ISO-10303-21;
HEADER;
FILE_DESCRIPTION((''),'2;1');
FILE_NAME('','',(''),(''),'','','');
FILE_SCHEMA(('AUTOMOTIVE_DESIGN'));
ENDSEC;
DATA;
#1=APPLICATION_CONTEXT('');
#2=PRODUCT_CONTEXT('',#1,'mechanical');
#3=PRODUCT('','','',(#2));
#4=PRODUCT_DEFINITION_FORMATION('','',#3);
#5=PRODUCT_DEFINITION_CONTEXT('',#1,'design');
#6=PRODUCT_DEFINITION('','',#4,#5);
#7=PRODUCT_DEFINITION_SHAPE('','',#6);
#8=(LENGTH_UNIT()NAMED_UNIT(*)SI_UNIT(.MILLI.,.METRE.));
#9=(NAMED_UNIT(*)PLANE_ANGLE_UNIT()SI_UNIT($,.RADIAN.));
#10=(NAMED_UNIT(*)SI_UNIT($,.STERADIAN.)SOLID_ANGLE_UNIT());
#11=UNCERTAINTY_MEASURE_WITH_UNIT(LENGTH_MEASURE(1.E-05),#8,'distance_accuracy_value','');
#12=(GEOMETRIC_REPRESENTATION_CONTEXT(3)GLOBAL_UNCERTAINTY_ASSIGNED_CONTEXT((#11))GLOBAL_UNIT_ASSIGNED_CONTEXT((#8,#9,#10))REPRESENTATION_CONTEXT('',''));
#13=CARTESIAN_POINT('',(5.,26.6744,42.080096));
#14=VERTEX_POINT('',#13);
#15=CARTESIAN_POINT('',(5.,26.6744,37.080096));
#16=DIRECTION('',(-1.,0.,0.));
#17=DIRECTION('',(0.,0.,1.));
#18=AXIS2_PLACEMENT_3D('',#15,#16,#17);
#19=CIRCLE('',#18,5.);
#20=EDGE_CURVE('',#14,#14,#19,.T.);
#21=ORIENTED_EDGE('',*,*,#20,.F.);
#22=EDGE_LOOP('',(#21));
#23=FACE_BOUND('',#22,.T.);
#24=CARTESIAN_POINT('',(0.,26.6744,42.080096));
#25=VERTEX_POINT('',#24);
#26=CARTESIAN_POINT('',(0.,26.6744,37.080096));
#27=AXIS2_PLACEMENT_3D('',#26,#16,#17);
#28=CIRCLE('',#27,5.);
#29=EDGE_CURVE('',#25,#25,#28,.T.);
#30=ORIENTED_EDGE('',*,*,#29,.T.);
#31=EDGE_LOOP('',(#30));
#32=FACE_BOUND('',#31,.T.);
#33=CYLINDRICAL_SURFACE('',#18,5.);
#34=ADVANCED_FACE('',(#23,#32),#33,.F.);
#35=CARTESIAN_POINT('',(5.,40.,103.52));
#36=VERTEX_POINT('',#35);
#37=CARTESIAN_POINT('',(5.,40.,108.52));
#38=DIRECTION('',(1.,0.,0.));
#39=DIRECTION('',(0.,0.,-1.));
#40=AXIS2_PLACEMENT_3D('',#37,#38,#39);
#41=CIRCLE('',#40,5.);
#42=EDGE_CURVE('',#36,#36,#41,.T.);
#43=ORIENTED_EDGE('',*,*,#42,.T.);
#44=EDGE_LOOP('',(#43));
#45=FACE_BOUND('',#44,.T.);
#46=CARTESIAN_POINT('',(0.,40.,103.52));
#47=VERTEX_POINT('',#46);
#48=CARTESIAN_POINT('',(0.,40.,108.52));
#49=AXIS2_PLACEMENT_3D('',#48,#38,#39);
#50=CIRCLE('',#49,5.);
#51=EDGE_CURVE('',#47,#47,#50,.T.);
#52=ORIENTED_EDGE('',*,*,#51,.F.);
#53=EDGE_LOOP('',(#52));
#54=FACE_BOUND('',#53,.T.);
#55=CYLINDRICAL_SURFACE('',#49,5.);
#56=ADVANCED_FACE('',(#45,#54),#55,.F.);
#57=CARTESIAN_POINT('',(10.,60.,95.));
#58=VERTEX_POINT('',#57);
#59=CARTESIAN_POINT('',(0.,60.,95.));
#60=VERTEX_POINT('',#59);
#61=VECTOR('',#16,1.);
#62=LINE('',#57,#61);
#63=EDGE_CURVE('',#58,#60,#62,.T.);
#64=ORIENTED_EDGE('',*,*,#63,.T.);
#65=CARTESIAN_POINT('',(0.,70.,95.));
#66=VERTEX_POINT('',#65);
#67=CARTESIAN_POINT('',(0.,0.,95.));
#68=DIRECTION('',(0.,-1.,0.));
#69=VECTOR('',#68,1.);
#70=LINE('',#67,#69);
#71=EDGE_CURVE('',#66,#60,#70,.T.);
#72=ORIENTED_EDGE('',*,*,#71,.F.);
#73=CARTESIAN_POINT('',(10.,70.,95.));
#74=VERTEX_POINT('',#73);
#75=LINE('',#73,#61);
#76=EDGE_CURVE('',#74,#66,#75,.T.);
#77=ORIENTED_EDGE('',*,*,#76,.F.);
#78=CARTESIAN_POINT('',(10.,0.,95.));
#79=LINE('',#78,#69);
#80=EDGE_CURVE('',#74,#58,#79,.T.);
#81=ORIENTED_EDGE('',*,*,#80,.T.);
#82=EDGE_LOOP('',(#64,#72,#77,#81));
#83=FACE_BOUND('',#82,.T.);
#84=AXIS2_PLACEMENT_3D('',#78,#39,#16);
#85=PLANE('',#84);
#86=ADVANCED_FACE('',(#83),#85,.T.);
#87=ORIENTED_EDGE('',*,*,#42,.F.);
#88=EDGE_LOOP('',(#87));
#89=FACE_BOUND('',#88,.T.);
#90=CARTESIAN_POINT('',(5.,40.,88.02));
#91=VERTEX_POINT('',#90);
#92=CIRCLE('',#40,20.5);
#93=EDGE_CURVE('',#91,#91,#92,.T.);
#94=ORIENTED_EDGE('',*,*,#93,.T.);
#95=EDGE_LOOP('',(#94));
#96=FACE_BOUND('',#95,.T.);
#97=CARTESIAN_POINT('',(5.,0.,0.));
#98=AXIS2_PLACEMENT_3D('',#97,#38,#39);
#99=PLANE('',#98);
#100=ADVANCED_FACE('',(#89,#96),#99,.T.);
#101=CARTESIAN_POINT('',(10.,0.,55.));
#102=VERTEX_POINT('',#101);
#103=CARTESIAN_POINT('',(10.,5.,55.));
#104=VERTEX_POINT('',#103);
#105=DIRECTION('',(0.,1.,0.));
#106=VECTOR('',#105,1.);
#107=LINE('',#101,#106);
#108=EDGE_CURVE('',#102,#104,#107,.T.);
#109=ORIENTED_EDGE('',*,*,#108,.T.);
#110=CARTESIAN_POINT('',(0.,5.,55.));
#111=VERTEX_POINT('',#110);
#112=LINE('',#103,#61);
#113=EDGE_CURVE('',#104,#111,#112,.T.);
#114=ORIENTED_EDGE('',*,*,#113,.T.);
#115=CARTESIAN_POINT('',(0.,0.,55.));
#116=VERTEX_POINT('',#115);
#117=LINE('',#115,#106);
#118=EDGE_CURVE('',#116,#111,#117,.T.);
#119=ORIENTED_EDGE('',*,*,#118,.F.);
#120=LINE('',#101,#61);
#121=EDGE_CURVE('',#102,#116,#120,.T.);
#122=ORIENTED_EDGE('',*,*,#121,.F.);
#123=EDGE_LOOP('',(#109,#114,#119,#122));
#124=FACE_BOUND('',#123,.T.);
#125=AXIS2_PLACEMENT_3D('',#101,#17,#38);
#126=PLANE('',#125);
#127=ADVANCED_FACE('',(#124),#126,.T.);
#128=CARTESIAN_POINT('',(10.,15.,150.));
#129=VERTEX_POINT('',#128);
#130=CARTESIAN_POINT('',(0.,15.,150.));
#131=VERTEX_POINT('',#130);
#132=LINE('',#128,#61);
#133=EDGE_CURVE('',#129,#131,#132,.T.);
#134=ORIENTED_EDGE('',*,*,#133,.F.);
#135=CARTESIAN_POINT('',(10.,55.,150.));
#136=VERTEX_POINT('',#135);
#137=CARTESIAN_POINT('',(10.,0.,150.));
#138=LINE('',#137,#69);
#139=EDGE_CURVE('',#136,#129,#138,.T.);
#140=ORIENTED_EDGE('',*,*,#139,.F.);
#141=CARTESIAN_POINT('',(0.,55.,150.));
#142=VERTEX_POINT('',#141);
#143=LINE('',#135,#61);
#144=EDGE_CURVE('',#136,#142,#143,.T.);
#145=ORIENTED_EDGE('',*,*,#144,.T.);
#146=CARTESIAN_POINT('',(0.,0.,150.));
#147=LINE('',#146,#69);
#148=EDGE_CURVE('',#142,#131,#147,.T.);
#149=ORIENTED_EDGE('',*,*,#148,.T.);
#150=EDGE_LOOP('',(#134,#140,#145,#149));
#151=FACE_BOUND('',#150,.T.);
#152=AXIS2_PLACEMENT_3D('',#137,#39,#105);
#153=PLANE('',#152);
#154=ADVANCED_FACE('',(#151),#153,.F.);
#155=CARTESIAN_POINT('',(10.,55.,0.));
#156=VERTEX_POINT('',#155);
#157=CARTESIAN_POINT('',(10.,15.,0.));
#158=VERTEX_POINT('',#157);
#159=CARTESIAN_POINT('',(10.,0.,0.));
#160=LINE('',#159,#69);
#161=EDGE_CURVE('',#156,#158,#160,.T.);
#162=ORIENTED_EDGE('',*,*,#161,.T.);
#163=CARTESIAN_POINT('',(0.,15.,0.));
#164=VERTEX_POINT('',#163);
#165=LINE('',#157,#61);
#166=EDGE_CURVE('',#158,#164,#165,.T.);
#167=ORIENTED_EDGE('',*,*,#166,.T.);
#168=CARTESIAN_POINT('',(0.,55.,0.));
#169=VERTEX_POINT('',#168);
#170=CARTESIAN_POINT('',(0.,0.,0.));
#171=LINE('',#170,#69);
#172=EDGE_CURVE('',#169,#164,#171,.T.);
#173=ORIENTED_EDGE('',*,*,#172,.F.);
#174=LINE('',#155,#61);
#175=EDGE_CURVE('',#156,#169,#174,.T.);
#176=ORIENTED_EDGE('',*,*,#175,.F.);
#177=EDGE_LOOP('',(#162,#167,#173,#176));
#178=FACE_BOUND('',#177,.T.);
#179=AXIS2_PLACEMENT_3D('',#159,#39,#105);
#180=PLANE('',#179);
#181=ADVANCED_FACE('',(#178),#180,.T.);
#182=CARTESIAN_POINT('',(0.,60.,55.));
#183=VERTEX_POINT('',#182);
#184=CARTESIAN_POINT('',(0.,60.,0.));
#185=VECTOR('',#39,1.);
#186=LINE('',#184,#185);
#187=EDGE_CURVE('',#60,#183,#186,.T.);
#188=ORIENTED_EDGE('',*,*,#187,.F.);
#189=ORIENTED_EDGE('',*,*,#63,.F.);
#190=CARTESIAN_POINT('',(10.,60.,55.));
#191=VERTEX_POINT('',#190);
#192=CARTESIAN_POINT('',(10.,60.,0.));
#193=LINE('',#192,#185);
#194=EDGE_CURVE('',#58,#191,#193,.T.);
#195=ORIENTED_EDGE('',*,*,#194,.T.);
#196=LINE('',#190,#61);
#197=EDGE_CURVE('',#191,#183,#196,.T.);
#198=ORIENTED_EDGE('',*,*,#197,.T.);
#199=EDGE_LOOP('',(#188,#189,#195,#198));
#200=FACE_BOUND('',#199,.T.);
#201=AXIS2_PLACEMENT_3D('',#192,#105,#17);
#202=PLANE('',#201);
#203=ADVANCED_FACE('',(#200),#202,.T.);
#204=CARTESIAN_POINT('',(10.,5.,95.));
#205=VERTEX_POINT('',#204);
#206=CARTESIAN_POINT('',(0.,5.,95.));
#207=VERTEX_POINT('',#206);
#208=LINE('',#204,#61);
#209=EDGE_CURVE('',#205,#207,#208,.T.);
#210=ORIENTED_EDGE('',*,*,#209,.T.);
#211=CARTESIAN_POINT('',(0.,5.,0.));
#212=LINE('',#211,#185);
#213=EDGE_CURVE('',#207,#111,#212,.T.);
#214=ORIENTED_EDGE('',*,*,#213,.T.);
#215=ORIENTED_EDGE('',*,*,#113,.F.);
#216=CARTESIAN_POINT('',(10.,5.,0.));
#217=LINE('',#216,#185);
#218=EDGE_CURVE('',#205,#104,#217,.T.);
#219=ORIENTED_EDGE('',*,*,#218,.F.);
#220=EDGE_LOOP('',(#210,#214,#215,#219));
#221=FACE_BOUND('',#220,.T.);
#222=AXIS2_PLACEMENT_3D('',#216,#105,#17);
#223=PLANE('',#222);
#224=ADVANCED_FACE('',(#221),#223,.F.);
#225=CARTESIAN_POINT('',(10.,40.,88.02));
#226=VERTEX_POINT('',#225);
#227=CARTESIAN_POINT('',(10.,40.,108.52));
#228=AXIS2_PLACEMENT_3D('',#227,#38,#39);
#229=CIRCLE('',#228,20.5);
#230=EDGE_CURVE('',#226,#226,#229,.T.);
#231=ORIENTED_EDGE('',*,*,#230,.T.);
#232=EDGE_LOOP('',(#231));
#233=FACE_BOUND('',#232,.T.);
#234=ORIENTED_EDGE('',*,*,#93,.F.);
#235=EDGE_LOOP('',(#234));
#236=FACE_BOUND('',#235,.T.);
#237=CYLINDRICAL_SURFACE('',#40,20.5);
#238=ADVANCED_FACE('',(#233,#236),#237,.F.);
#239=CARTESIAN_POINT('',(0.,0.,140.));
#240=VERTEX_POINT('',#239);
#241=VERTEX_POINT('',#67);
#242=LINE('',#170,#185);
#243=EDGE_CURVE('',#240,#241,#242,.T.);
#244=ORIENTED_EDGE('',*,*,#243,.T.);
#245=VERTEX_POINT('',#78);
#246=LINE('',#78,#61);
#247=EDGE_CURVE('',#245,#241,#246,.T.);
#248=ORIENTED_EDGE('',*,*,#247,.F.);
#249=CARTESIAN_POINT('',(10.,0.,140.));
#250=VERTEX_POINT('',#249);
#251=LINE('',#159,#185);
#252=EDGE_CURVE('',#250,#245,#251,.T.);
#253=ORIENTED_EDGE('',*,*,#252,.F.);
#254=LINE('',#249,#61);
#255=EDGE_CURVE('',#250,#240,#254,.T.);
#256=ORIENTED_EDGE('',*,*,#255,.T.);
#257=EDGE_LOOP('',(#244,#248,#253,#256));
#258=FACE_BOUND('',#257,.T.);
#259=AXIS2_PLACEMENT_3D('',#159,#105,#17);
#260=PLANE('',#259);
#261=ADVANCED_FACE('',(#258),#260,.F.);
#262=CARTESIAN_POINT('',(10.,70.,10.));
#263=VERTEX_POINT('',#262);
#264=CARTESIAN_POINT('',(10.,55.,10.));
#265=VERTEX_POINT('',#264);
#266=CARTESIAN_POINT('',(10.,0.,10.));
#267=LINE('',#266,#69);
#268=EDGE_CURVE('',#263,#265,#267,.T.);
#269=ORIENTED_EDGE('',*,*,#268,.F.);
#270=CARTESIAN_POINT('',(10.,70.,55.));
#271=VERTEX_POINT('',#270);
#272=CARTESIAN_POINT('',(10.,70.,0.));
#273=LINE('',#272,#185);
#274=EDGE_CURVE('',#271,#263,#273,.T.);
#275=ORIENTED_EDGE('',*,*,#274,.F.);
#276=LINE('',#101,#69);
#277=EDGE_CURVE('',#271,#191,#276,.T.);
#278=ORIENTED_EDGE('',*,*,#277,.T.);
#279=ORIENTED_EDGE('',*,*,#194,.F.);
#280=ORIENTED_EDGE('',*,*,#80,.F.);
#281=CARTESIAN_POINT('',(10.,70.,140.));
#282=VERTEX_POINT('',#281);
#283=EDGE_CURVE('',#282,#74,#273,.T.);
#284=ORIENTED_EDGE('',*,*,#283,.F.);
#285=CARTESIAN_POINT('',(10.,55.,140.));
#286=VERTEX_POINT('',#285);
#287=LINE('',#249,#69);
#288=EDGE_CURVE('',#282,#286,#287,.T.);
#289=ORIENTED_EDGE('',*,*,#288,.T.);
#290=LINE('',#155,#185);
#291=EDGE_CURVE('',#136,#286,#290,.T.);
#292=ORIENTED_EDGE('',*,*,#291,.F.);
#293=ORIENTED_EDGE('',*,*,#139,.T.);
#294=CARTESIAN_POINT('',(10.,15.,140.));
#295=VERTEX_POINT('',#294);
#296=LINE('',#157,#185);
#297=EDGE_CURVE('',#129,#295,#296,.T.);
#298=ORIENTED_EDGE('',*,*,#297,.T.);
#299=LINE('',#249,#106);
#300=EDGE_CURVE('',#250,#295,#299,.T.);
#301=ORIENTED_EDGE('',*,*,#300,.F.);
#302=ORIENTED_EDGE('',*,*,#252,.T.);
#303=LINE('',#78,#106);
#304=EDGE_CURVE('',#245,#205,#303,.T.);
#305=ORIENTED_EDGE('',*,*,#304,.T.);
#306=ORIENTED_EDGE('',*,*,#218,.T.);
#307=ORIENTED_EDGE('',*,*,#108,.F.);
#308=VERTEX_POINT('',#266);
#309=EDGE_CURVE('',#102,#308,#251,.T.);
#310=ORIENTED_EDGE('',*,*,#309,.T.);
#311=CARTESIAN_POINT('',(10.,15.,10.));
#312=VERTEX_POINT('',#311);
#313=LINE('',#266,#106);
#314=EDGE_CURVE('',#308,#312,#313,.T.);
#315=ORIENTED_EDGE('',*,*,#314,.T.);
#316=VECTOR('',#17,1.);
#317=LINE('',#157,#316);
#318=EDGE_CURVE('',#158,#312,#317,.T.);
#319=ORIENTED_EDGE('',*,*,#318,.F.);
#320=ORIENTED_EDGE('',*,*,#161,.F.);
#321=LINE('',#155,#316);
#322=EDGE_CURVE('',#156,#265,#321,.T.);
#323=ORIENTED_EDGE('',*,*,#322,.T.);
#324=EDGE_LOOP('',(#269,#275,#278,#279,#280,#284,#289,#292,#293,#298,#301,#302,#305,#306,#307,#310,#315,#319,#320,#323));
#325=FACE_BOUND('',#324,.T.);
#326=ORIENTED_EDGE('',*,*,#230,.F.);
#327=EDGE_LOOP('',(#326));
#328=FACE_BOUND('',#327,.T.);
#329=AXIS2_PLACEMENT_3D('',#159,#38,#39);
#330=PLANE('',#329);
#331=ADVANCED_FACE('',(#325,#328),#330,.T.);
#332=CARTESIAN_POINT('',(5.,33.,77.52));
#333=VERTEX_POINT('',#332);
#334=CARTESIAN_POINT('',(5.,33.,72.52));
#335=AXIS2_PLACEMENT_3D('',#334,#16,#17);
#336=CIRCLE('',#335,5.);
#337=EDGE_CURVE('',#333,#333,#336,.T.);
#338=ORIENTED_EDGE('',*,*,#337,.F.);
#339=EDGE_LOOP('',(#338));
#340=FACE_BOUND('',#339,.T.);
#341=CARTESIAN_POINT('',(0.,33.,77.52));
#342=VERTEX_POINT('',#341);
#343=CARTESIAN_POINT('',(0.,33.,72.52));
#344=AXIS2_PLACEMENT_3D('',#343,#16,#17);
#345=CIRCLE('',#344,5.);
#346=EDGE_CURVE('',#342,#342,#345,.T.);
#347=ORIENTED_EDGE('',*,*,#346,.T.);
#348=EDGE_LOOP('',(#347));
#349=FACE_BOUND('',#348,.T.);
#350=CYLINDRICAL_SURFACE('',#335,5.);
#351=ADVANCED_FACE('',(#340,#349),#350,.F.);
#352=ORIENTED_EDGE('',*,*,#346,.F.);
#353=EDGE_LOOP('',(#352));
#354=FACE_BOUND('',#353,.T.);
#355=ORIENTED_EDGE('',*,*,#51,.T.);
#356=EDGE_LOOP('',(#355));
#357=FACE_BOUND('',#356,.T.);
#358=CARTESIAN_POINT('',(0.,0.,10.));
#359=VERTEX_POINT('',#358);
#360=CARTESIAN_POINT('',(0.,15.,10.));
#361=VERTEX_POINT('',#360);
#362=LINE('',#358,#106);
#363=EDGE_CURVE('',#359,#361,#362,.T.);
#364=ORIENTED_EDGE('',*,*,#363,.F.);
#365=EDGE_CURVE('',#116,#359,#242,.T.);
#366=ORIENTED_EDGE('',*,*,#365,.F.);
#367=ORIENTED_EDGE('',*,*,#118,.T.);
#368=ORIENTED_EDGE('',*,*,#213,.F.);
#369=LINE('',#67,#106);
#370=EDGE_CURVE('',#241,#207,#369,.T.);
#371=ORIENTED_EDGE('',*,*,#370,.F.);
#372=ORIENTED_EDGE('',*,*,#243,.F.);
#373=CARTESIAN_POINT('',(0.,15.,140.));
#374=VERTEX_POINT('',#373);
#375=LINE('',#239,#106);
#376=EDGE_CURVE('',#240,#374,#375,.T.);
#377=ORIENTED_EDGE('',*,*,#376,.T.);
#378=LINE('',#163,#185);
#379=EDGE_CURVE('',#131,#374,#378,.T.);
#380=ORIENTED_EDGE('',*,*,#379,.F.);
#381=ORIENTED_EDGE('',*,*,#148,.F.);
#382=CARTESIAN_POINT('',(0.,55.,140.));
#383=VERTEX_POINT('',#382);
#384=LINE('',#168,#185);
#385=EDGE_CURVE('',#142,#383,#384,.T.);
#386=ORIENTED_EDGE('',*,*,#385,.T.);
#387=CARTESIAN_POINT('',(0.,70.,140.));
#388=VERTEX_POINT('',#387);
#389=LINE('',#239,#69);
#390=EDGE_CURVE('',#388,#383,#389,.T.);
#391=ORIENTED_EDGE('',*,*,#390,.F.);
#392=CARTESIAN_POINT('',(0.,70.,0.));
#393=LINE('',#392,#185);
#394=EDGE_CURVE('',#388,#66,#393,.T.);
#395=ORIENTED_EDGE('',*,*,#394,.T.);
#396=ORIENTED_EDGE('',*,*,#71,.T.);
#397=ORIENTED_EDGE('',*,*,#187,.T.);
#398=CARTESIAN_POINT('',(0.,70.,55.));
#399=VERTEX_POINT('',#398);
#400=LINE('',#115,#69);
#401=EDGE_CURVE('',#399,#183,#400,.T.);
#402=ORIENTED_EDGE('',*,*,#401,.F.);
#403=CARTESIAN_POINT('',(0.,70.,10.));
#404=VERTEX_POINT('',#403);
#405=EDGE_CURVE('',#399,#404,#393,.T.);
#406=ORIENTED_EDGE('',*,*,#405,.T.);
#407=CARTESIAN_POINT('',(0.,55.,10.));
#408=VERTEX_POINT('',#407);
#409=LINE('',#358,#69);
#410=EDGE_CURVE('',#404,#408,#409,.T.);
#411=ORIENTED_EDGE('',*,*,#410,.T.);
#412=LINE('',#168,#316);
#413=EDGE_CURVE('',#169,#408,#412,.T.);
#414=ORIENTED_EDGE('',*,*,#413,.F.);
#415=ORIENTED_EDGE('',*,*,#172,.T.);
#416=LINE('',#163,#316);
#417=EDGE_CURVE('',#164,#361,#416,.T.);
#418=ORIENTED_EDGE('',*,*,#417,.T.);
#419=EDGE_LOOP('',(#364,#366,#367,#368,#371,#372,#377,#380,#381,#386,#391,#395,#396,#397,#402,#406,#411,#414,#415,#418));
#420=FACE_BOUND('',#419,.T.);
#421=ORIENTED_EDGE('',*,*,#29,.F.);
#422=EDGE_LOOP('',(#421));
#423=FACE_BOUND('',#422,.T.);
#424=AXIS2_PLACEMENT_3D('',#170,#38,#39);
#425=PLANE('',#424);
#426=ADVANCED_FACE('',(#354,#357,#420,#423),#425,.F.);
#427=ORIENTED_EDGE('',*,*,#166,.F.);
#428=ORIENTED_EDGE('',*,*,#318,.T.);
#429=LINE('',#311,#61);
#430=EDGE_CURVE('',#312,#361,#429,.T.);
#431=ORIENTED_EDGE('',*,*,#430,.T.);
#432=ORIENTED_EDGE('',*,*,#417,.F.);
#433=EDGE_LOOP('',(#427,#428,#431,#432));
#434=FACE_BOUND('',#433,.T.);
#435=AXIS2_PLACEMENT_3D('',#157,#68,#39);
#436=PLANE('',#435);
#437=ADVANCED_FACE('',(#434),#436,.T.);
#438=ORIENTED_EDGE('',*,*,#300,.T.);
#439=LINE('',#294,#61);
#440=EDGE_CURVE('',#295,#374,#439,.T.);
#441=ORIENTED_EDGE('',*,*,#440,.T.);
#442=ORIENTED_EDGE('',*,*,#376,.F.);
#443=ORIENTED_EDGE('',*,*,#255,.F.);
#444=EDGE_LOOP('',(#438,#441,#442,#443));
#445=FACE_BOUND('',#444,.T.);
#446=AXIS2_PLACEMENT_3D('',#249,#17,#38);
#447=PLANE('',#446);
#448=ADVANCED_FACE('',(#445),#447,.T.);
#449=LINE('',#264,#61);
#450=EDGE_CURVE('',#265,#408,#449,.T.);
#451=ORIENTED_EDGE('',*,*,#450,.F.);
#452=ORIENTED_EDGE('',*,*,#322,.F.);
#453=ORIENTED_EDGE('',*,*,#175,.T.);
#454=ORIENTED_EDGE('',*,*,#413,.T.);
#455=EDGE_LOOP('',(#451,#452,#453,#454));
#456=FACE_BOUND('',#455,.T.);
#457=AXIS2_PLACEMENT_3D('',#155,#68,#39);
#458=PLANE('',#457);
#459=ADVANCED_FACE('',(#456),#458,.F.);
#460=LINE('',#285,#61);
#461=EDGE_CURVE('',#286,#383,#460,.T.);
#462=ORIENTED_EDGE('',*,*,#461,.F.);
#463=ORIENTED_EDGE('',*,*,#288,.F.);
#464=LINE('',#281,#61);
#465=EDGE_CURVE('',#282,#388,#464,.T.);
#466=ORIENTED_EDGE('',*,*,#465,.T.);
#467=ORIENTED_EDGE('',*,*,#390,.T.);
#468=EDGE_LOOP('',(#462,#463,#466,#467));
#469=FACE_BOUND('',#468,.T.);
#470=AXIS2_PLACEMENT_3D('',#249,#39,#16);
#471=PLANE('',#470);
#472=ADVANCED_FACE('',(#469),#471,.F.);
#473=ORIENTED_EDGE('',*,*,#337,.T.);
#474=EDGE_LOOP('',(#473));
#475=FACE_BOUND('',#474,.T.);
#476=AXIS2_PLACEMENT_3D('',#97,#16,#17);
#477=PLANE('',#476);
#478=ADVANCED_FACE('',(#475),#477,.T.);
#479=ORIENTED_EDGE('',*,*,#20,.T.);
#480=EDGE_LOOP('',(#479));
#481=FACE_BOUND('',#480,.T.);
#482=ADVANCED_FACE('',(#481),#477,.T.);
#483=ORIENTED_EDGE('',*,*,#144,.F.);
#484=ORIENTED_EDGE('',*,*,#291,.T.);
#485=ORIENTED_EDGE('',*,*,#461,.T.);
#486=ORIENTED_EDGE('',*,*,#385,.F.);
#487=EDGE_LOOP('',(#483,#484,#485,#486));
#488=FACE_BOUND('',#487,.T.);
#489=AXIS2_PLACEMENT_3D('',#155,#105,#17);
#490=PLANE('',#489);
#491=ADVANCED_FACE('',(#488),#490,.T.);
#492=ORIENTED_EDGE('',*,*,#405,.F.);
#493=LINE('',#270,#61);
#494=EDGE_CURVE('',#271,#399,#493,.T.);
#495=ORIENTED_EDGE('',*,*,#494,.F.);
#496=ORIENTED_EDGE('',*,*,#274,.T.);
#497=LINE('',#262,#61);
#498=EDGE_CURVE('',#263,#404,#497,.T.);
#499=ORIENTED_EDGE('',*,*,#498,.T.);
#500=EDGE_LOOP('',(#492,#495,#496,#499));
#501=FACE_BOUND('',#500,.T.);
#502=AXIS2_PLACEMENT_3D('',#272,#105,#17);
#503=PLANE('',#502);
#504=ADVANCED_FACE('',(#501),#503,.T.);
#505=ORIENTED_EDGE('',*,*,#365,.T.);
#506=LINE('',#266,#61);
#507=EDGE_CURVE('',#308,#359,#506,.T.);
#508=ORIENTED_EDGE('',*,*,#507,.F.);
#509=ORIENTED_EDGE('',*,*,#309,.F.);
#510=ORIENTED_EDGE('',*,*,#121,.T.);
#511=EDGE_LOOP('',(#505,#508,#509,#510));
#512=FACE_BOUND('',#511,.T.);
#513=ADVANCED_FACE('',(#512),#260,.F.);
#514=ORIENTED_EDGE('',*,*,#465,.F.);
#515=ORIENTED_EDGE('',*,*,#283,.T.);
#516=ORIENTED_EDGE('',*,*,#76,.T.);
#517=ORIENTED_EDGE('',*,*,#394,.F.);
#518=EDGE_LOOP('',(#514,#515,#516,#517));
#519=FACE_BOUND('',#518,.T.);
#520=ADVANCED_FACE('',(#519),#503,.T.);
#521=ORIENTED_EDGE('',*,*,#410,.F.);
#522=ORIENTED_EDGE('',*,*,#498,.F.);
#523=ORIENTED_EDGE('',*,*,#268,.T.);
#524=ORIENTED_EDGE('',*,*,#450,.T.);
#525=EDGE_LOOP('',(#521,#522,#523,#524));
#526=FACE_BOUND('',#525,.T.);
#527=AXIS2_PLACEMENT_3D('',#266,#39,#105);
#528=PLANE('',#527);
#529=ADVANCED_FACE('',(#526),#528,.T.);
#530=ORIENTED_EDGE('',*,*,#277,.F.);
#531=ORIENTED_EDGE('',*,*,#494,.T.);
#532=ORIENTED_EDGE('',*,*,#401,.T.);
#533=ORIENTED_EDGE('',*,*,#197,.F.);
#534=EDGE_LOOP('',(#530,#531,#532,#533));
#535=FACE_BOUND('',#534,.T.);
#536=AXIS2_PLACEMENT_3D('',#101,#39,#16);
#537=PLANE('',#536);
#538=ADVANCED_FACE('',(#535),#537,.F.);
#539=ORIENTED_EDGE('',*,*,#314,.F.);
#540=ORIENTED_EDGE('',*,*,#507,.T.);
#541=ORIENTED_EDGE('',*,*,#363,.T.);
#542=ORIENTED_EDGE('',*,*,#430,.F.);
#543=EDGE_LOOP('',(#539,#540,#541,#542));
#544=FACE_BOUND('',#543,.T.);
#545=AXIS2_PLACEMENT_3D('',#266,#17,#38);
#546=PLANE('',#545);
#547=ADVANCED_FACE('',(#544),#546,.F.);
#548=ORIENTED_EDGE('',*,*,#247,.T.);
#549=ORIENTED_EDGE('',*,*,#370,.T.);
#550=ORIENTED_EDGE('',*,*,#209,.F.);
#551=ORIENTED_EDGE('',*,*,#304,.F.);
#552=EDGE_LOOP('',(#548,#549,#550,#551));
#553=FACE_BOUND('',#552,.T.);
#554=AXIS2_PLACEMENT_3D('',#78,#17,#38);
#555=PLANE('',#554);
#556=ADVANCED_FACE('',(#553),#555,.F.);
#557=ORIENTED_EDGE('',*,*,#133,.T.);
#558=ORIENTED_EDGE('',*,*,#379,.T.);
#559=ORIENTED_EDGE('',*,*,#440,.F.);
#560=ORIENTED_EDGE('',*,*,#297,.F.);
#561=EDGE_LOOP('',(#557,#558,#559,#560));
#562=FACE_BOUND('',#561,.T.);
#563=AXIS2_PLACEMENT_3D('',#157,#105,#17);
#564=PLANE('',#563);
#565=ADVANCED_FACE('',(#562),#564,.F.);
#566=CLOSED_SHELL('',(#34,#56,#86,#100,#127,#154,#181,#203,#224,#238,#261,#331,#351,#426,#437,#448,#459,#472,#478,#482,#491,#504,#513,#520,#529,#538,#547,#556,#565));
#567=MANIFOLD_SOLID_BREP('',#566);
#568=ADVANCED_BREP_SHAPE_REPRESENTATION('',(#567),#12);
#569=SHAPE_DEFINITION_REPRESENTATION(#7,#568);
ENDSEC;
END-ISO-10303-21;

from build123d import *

# Parameters (mm, degrees)
BOSS_EXTRUDE1_DEPTH = 10
SKETCH2_R           = 20.5
CUT_EXTRUDE1_DEPTH  = 5
SKETCH4_R           = 5
CUT_EXTRUDE3_DEPTH  = 166.604951617
SKETCH5_R           = 5
CUT_EXTRUDE4_DEPTH  = 5


with BuildPart() as part:
    # Sketch1 → Boss-Extrude1 (new body)
    with BuildSketch(Plane(origin=(0, 0, 0), x_dir=(0, 0, -1), z_dir=(1, 0, 0))):
        Polygon((-95, 70), (-140, 70), (-140, 55), (-150, 55), (-150, 15), (-140, 15), (-140, 0), (-95, 0), (-95, 5), (-55, 5), (-55, 0), (-10, 0), (-10, 15), (0, 15), (0, 55), (-10, 55), (-10, 70), (-55, 70), (-55, 60), (-95, 60), align=None)
    extrude(amount=BOSS_EXTRUDE1_DEPTH)

    # Sketch2 → Cut-Extrude1 (cut)
    with BuildSketch(Plane(origin=(10, 0, 0), x_dir=(0, 0, -1), z_dir=(1, 0, 0))):
        with Locations((-108.52, 40)):
            Circle(SKETCH2_R)
    extrude(amount=-CUT_EXTRUDE1_DEPTH, mode=Mode.SUBTRACT)

    # Sketch4 → Cut-Extrude3 (cut, through all)
    with BuildSketch(Plane(origin=(5, 0, 0), x_dir=(0, 0, -1), z_dir=(1, 0, 0))):
        with Locations((-108.52, 40)):
            Circle(SKETCH4_R)
    extrude(amount=-CUT_EXTRUDE3_DEPTH, mode=Mode.SUBTRACT)

    # Sketch5 → Cut-Extrude4 (cut)
    with BuildSketch(Plane.ZY):
        with Locations((37.080096083, 26.674400393)):
            Circle(SKETCH5_R)
        with Locations((72.52, 33)):
            Circle(SKETCH5_R)
    extrude(amount=-CUT_EXTRUDE4_DEPTH, mode=Mode.SUBTRACT)


solid = part.part
